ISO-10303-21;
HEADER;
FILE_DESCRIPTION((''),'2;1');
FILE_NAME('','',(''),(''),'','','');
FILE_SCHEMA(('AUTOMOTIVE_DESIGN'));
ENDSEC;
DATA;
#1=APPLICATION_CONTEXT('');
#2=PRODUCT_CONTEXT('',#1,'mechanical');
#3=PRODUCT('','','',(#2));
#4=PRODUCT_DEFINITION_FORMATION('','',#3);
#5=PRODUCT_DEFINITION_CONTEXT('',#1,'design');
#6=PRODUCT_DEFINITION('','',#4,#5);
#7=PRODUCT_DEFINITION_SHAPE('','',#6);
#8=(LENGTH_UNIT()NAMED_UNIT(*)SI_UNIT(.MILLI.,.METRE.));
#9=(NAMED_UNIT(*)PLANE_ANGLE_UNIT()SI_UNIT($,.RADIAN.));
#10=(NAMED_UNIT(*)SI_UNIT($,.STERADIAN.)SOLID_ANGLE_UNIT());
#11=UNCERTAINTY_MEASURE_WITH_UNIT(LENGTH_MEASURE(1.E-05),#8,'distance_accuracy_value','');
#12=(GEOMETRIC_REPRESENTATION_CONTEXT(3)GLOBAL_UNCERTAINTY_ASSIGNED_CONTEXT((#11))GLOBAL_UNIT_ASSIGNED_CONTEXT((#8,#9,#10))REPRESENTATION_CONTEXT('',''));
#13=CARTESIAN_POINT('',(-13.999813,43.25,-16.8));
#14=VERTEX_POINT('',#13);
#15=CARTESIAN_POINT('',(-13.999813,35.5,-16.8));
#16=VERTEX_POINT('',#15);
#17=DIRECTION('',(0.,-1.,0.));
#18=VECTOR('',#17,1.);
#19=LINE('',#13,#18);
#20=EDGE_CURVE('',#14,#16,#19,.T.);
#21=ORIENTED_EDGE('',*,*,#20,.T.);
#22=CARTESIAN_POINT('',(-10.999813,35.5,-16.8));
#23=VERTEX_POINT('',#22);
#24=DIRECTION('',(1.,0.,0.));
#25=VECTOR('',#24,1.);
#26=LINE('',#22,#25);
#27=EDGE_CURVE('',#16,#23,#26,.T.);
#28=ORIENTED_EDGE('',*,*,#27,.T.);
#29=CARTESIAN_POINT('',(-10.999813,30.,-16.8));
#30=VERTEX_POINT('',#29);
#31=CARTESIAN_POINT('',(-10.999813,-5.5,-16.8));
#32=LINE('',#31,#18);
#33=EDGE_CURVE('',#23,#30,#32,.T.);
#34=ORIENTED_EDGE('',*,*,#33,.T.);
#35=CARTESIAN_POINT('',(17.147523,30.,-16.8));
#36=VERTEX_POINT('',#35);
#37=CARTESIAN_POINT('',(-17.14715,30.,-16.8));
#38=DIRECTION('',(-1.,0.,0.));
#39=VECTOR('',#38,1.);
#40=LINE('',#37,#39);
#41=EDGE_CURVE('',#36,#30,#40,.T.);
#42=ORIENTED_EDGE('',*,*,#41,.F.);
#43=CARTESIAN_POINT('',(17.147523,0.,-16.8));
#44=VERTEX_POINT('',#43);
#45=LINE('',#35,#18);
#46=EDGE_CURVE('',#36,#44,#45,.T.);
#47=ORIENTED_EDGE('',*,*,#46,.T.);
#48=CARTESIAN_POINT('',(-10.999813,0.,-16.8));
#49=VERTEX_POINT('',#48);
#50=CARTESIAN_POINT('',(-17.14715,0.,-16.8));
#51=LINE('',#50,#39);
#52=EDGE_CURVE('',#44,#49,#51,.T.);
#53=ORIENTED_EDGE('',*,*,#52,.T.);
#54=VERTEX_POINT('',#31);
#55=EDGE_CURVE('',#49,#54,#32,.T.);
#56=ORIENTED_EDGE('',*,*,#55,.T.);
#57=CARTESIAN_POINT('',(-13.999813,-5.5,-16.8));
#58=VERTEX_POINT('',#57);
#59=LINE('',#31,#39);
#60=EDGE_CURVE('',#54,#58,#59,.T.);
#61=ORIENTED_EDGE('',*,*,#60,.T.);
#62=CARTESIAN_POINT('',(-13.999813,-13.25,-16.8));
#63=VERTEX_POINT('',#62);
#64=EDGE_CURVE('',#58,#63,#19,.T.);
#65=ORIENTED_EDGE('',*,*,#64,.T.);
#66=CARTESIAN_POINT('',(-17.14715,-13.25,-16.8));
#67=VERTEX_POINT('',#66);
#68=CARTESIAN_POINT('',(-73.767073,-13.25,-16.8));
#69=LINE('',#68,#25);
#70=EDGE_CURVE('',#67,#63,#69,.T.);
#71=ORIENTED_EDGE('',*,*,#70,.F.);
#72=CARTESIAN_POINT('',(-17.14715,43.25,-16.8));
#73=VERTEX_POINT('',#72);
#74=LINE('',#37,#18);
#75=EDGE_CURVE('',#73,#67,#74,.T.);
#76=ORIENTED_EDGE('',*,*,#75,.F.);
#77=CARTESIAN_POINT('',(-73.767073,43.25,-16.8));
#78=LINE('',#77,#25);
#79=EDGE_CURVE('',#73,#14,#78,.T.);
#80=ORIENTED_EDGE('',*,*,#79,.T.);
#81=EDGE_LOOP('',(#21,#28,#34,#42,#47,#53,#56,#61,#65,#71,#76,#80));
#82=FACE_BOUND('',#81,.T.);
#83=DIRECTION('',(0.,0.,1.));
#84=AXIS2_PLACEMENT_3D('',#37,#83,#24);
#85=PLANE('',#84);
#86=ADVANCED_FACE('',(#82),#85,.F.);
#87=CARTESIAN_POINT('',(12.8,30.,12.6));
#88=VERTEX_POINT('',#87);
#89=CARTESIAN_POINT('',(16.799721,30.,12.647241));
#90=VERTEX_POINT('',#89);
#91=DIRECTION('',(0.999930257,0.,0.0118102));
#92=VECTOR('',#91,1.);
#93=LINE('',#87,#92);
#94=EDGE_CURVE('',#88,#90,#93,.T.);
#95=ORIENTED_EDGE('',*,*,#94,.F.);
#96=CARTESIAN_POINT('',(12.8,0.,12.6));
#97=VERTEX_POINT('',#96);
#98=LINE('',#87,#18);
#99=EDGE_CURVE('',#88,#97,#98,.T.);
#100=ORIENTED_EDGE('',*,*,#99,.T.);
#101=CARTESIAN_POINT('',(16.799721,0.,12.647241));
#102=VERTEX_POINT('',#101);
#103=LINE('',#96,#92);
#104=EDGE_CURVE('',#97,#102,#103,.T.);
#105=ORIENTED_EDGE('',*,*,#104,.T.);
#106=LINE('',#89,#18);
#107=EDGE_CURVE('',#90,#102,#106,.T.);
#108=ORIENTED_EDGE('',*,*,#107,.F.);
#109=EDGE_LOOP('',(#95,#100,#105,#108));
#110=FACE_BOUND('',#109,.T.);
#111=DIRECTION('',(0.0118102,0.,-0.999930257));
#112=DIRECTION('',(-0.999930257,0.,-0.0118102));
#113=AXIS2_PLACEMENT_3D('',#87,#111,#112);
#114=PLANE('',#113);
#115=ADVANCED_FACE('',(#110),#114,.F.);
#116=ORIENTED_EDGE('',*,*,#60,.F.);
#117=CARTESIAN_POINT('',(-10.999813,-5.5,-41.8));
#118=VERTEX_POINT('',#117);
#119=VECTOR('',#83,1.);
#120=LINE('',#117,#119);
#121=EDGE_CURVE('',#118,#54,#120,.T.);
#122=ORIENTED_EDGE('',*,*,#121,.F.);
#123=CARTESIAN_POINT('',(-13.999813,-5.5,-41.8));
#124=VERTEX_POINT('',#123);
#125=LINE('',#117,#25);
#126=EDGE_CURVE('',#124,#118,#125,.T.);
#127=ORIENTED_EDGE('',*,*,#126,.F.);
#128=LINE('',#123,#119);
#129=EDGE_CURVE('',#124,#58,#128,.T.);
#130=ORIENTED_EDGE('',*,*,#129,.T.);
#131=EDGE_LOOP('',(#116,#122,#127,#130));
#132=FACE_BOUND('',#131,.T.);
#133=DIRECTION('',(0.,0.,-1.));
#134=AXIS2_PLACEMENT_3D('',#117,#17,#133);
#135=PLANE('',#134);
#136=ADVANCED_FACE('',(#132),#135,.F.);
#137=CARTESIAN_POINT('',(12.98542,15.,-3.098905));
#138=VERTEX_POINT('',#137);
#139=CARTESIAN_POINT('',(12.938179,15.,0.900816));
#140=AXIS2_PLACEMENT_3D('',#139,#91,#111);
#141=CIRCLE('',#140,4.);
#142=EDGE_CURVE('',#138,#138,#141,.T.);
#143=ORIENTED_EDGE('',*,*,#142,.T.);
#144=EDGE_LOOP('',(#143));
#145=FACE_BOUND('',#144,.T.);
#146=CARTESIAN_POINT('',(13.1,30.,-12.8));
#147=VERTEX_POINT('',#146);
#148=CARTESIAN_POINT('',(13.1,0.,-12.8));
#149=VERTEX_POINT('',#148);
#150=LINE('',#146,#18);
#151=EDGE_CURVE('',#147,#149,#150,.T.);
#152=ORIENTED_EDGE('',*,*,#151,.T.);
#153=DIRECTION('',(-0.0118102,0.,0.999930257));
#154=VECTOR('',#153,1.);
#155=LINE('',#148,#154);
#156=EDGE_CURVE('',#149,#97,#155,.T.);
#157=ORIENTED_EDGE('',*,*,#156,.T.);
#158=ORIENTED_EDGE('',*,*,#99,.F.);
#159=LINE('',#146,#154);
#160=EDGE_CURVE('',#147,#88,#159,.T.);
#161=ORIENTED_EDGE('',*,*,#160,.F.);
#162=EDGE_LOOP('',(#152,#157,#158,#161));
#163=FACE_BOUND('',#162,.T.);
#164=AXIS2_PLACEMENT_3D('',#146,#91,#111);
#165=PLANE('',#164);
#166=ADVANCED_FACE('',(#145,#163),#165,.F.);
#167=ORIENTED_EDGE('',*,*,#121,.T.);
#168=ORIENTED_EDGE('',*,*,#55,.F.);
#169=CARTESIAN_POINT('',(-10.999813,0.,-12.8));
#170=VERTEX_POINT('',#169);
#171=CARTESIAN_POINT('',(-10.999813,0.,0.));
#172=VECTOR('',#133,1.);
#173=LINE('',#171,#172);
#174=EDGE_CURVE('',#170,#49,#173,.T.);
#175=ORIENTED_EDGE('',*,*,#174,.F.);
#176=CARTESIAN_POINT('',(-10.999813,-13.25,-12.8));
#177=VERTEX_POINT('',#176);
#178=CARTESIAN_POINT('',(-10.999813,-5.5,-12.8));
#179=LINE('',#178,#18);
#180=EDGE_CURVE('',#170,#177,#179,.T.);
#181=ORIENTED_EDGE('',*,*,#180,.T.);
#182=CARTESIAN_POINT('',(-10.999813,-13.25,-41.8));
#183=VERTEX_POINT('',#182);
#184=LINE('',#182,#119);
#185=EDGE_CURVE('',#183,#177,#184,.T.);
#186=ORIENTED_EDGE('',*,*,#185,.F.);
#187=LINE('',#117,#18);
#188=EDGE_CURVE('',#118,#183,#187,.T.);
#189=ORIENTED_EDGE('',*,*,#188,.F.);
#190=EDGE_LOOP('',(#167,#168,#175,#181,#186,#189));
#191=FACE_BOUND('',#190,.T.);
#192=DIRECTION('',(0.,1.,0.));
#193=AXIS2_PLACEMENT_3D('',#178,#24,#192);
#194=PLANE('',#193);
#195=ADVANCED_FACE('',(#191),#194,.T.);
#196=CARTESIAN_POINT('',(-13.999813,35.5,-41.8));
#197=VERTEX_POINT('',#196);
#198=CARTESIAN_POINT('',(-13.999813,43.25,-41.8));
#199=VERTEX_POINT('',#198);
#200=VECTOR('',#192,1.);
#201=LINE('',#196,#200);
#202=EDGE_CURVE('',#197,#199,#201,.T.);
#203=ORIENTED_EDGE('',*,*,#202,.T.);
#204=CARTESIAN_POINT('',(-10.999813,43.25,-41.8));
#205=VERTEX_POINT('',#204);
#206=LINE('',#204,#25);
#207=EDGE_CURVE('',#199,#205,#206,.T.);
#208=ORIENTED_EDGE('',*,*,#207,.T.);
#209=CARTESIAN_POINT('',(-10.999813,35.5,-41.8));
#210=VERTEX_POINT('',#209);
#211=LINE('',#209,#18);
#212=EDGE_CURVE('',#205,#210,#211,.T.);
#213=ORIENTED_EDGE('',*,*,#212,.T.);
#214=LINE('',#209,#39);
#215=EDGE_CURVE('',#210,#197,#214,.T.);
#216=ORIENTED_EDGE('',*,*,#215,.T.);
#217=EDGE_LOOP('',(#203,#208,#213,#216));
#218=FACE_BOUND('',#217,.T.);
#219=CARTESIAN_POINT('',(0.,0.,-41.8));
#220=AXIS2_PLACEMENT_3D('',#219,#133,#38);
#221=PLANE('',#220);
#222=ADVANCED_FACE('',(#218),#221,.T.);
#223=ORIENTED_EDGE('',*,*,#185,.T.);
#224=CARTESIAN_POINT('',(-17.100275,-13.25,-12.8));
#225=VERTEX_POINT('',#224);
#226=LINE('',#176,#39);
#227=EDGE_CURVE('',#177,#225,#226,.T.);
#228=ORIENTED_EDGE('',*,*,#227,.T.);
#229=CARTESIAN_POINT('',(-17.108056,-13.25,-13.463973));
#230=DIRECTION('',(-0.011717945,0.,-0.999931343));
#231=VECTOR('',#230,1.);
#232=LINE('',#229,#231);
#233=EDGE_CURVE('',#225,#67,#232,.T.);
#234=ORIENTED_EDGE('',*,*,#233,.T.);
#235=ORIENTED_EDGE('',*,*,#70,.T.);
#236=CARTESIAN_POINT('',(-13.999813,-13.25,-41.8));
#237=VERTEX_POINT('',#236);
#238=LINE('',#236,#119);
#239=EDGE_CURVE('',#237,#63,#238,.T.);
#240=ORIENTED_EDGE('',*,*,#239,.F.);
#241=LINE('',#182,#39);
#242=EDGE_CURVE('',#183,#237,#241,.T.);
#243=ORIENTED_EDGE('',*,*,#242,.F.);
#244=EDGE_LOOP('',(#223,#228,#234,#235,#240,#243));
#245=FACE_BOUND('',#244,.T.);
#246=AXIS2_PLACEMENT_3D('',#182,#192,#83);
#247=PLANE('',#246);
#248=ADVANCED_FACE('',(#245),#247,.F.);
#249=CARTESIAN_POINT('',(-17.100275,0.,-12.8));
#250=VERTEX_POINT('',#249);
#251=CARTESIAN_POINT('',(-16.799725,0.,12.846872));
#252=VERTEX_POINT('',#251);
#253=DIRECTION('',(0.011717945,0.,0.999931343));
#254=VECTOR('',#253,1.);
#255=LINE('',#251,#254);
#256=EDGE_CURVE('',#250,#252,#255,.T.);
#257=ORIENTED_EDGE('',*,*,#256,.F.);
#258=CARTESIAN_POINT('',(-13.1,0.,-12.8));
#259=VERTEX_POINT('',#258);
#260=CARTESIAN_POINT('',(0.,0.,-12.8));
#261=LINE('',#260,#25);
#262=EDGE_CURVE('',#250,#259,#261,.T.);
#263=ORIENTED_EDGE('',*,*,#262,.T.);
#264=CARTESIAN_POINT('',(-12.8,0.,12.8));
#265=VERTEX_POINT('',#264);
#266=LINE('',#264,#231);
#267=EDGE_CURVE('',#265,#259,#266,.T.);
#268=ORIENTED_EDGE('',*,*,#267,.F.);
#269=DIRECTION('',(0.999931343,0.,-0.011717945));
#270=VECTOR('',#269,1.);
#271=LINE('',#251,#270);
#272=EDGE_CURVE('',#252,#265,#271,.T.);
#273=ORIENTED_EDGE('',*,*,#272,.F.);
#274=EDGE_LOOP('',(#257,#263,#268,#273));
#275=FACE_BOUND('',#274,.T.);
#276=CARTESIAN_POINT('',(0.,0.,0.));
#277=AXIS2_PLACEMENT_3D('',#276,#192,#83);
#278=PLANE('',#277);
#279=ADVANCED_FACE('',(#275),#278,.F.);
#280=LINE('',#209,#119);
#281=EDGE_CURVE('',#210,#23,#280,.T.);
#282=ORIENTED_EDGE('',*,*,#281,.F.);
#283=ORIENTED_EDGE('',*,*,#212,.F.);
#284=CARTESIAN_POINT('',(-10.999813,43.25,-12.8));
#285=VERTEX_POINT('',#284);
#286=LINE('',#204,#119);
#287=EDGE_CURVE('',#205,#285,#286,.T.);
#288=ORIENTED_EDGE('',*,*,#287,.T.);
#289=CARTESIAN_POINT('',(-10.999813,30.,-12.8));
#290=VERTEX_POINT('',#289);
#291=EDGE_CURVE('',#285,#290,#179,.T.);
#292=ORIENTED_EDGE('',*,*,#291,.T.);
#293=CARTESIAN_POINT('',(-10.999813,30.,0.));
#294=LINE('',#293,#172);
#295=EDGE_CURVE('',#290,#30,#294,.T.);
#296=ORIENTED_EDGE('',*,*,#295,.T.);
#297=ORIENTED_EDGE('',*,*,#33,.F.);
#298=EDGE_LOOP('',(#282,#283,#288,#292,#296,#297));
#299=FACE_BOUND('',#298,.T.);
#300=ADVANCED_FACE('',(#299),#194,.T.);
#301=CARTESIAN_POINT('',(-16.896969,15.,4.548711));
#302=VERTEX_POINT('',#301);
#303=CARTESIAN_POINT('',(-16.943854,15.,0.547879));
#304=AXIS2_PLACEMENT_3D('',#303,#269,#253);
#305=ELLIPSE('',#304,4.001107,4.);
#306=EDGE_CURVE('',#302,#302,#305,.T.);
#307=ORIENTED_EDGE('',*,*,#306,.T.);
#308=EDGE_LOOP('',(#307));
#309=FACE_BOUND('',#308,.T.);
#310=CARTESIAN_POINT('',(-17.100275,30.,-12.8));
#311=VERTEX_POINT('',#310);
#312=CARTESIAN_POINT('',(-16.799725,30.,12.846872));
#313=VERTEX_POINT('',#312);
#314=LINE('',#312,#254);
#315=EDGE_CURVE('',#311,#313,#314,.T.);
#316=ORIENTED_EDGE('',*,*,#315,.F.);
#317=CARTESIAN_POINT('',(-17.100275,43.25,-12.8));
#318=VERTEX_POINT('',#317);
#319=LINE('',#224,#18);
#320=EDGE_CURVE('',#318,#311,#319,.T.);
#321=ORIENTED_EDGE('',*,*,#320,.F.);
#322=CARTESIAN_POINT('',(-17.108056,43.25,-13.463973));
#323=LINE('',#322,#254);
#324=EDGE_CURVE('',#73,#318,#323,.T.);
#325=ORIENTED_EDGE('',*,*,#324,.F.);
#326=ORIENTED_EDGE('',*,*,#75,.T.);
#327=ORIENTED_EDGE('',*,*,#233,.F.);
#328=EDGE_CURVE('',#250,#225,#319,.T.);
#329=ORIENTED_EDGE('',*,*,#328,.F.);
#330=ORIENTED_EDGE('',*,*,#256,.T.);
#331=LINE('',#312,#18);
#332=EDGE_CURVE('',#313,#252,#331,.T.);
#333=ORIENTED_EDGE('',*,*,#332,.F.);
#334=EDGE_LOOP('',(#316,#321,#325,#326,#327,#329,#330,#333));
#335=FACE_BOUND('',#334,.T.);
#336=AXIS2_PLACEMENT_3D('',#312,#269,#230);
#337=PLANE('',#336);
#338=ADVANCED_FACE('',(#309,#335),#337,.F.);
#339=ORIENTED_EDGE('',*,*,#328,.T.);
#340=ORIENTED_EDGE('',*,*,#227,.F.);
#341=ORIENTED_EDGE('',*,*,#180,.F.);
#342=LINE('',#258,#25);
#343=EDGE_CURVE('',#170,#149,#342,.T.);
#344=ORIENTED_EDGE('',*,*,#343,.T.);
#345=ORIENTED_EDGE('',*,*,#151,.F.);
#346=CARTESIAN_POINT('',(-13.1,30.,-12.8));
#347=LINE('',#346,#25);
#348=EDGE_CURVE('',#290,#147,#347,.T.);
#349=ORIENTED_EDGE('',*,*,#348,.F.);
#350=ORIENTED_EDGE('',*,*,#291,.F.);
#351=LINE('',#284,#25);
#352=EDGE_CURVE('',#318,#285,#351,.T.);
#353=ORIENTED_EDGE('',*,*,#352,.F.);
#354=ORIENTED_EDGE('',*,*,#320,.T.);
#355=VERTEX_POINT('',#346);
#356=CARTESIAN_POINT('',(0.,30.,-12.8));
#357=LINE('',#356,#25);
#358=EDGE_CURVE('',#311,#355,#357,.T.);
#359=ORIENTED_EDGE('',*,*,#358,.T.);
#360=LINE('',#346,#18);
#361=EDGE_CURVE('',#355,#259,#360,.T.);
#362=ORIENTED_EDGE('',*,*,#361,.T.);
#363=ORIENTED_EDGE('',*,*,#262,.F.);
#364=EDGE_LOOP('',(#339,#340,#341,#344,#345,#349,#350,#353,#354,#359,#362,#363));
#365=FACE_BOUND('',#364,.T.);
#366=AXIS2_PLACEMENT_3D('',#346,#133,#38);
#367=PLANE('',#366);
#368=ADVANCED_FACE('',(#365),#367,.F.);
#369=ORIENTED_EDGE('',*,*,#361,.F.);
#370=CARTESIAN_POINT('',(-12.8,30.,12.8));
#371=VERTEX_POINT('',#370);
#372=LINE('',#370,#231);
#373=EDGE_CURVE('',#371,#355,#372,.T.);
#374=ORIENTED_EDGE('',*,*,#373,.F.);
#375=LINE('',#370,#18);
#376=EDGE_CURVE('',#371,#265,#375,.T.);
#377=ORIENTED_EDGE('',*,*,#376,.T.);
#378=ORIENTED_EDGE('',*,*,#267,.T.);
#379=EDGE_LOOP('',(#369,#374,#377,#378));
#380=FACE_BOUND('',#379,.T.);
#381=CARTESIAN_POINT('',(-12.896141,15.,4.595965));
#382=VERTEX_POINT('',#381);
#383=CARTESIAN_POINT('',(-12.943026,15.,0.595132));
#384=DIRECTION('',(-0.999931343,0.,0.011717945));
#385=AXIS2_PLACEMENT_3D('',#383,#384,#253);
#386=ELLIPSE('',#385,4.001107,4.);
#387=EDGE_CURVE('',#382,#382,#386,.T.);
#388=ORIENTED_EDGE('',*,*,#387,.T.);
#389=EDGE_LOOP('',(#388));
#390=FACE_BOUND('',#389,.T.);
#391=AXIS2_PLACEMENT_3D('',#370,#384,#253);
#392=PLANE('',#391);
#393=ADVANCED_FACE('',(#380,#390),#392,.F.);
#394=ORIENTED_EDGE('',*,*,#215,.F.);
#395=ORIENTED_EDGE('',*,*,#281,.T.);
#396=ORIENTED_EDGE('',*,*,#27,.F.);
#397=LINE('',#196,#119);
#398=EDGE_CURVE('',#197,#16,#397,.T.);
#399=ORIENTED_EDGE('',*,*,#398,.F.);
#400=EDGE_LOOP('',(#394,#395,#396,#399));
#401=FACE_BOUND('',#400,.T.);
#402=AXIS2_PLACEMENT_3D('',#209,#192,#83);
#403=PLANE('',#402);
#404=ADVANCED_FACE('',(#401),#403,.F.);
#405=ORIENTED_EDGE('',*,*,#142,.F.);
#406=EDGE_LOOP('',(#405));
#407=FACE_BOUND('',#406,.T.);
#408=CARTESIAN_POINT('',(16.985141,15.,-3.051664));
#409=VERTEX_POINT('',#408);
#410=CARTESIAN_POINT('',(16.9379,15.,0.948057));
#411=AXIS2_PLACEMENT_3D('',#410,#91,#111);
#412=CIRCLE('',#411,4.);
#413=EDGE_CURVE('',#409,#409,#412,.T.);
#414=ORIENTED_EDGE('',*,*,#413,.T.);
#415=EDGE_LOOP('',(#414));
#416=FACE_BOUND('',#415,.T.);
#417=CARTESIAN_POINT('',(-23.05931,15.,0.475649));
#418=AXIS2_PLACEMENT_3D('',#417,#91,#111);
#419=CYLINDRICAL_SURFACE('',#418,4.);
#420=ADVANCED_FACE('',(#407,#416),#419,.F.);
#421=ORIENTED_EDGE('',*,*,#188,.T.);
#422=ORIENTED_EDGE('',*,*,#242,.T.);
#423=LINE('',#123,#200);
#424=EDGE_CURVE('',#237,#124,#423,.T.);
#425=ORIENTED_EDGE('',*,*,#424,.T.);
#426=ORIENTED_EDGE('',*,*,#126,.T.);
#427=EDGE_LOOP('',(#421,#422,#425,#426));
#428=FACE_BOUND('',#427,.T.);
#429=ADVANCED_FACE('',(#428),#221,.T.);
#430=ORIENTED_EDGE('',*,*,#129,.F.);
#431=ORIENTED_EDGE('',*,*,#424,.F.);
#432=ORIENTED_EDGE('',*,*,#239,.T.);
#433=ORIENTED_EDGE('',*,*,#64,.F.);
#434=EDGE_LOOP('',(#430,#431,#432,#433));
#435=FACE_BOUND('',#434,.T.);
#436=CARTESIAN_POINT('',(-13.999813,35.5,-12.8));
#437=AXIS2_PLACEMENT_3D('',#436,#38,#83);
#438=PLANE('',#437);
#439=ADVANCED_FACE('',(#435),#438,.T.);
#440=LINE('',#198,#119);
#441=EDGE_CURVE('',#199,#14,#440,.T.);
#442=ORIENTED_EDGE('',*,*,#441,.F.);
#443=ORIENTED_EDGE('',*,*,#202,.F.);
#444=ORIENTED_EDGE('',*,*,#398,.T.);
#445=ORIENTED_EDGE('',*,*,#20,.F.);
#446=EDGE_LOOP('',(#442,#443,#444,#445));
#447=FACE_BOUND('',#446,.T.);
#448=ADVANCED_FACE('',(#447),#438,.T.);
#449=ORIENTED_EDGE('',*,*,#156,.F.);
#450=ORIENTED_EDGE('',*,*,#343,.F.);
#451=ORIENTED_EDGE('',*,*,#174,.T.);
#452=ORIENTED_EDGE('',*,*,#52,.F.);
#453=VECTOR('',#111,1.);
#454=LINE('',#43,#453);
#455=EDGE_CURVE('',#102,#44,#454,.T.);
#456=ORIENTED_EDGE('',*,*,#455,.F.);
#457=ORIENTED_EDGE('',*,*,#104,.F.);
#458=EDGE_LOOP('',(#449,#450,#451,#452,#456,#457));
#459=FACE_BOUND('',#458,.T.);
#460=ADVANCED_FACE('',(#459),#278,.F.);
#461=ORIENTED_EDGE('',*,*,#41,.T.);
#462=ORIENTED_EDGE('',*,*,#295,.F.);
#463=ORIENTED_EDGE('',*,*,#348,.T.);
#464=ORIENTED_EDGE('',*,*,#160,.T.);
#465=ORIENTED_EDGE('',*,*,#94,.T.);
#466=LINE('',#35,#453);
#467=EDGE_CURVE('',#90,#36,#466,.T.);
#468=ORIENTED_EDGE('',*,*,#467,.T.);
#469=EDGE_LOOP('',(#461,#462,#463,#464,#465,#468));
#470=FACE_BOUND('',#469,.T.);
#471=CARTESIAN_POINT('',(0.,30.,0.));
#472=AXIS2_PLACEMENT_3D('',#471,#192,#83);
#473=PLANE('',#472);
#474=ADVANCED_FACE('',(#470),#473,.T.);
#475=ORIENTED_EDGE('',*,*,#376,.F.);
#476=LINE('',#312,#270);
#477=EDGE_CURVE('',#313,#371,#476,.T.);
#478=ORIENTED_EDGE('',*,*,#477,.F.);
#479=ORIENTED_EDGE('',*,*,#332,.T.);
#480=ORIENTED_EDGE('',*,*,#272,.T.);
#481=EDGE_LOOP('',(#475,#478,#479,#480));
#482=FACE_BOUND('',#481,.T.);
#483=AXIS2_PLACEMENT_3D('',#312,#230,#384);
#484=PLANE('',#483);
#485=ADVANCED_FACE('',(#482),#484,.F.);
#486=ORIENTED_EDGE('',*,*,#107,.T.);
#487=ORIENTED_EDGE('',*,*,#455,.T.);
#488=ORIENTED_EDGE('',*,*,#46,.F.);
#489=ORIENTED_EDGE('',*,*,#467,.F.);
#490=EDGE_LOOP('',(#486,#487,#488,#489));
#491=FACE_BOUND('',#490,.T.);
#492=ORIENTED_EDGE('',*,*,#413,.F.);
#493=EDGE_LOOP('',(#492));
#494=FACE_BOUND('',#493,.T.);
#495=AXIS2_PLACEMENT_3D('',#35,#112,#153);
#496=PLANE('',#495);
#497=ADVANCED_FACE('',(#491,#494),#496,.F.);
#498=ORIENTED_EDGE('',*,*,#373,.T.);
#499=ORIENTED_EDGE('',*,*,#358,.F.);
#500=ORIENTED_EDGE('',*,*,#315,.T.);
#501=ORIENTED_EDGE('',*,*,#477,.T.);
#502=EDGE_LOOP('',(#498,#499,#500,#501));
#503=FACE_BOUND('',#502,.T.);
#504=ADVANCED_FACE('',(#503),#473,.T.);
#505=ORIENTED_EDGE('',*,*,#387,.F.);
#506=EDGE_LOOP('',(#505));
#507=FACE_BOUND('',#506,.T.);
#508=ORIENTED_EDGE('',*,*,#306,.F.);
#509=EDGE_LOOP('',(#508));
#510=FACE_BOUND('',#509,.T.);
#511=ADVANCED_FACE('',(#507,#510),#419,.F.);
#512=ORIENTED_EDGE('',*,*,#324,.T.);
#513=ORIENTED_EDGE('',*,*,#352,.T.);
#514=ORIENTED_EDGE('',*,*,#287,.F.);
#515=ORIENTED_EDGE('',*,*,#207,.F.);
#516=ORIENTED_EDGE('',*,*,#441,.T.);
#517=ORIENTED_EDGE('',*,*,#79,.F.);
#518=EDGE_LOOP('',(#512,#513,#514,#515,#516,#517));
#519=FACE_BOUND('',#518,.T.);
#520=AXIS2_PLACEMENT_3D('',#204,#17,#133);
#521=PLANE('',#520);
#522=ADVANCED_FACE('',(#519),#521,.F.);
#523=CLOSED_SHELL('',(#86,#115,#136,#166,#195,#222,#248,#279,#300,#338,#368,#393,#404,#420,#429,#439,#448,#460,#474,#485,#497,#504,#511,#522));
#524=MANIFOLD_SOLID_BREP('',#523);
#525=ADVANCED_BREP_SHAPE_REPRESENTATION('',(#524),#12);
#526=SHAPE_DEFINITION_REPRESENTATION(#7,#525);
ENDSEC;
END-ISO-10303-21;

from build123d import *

# Parameters (mm, degrees)
BOSS_EXTRUDE1_DEPTH      = 30
SKETCH3_R                = 4
CUT_EXTRUDE1_DEPTH       = 40
SKETCH4_W                = 3
SKETCH4_H                = 41
BOSS_EXTRUDE2_DEPTH      = 4
BOSS_EXTRUDE3_DEPTH      = 25
BOSS_EXTRUDE3_DEPTH_BACK = 4
SKETCH5_W                = 3
SKETCH5_H                = 7.75
BOSS_EXTRUDE4_REACH      = 69.734
SKETCH6_W                = 4
SKETCH6_H                = 56.5


with BuildPart() as part:
    # Sketch1 → Boss-Extrude1 (new body)
    with BuildSketch(Plane(origin=(0, 0, 0), x_dir=(1, 0, 0), z_dir=(0, 1, 0))):
        Polygon((-12.8, -12.8), (-13.1, 12.8), (13.1, 12.8), (12.8, -12.6), (16.799721029, -12.6472408), (17.147523085, 16.8), (-17.147149649, 16.8), (-16.79972537, -12.846871782), align=None)
    extrude(amount=BOSS_EXTRUDE1_DEPTH)

    # Sketch3 → Cut-Extrude1 (cut)
    with BuildSketch(Plane(origin=(16.946733814, 0, 0.200158273), x_dir=(0.011810199887684227, 0, -0.9999302571572745), z_dir=(0.9999302571572745, 0, 0.011810199887684227))):
        with Locations(Location((-0.747950682, 15, 0), (0, 0, 180))):
            Circle(SKETCH3_R)
    extrude(amount=-CUT_EXTRUDE1_DEPTH, mode=Mode.SUBTRACT)

    # Sketch4 → Boss-Extrude2 (add)
    with BuildSketch(Plane(origin=(0, 0, -16.8), x_dir=(-1, 0, 0), z_dir=(0, 0, -1))):
        with Locations((12.499813282, 15)):
            Rectangle(SKETCH4_W, SKETCH4_H)
    extrude(amount=-BOSS_EXTRUDE2_DEPTH)

    # Sketch5 → Boss-Extrude3 (add, two sides: drawn at the far end of the back side and taken through both)
    with BuildSketch(Plane(origin=(0, 0, -16.8), x_dir=(-1, 0, 0), z_dir=(0, 0, -1)).offset(-BOSS_EXTRUDE3_DEPTH_BACK)):
        with Locations((12.499813282, 39.375)):
            Rectangle(SKETCH5_W, SKETCH5_H)
        with Locations((12.499813282, -9.375)):
            Rectangle(SKETCH5_W, SKETCH5_H)
    extrude(amount=BOSS_EXTRUDE3_DEPTH + BOSS_EXTRUDE3_DEPTH_BACK)

    # Boss-Extrude4: up to this plane
    boss_extrude4_end = Plane(origin=(-16.79972537, 30, 12.846871782), z_dir=(0.9999313425206403, 0, -0.01171794542016394))
    # Sketch6 → Boss-Extrude4 (add, up to the surface)
    with BuildSketch(Plane.ZY.offset(13.999813282), mode=Mode.PRIVATE) as boss_extrude4_sk1:
        with Locations((-14.8, 15)):
            Rectangle(SKETCH6_W, SKETCH6_H)
    boss_extrude4_tool1 = split(extrude(boss_extrude4_sk1.sketch, amount=BOSS_EXTRUDE4_REACH, mode=Mode.PRIVATE), bisect_by=boss_extrude4_end, keep=Keep.BOTH, mode=Mode.PRIVATE)
    add(boss_extrude4_tool1.solids().sort_by_distance((-13.999813, 15, -14.8))[0])


solid = part.part
